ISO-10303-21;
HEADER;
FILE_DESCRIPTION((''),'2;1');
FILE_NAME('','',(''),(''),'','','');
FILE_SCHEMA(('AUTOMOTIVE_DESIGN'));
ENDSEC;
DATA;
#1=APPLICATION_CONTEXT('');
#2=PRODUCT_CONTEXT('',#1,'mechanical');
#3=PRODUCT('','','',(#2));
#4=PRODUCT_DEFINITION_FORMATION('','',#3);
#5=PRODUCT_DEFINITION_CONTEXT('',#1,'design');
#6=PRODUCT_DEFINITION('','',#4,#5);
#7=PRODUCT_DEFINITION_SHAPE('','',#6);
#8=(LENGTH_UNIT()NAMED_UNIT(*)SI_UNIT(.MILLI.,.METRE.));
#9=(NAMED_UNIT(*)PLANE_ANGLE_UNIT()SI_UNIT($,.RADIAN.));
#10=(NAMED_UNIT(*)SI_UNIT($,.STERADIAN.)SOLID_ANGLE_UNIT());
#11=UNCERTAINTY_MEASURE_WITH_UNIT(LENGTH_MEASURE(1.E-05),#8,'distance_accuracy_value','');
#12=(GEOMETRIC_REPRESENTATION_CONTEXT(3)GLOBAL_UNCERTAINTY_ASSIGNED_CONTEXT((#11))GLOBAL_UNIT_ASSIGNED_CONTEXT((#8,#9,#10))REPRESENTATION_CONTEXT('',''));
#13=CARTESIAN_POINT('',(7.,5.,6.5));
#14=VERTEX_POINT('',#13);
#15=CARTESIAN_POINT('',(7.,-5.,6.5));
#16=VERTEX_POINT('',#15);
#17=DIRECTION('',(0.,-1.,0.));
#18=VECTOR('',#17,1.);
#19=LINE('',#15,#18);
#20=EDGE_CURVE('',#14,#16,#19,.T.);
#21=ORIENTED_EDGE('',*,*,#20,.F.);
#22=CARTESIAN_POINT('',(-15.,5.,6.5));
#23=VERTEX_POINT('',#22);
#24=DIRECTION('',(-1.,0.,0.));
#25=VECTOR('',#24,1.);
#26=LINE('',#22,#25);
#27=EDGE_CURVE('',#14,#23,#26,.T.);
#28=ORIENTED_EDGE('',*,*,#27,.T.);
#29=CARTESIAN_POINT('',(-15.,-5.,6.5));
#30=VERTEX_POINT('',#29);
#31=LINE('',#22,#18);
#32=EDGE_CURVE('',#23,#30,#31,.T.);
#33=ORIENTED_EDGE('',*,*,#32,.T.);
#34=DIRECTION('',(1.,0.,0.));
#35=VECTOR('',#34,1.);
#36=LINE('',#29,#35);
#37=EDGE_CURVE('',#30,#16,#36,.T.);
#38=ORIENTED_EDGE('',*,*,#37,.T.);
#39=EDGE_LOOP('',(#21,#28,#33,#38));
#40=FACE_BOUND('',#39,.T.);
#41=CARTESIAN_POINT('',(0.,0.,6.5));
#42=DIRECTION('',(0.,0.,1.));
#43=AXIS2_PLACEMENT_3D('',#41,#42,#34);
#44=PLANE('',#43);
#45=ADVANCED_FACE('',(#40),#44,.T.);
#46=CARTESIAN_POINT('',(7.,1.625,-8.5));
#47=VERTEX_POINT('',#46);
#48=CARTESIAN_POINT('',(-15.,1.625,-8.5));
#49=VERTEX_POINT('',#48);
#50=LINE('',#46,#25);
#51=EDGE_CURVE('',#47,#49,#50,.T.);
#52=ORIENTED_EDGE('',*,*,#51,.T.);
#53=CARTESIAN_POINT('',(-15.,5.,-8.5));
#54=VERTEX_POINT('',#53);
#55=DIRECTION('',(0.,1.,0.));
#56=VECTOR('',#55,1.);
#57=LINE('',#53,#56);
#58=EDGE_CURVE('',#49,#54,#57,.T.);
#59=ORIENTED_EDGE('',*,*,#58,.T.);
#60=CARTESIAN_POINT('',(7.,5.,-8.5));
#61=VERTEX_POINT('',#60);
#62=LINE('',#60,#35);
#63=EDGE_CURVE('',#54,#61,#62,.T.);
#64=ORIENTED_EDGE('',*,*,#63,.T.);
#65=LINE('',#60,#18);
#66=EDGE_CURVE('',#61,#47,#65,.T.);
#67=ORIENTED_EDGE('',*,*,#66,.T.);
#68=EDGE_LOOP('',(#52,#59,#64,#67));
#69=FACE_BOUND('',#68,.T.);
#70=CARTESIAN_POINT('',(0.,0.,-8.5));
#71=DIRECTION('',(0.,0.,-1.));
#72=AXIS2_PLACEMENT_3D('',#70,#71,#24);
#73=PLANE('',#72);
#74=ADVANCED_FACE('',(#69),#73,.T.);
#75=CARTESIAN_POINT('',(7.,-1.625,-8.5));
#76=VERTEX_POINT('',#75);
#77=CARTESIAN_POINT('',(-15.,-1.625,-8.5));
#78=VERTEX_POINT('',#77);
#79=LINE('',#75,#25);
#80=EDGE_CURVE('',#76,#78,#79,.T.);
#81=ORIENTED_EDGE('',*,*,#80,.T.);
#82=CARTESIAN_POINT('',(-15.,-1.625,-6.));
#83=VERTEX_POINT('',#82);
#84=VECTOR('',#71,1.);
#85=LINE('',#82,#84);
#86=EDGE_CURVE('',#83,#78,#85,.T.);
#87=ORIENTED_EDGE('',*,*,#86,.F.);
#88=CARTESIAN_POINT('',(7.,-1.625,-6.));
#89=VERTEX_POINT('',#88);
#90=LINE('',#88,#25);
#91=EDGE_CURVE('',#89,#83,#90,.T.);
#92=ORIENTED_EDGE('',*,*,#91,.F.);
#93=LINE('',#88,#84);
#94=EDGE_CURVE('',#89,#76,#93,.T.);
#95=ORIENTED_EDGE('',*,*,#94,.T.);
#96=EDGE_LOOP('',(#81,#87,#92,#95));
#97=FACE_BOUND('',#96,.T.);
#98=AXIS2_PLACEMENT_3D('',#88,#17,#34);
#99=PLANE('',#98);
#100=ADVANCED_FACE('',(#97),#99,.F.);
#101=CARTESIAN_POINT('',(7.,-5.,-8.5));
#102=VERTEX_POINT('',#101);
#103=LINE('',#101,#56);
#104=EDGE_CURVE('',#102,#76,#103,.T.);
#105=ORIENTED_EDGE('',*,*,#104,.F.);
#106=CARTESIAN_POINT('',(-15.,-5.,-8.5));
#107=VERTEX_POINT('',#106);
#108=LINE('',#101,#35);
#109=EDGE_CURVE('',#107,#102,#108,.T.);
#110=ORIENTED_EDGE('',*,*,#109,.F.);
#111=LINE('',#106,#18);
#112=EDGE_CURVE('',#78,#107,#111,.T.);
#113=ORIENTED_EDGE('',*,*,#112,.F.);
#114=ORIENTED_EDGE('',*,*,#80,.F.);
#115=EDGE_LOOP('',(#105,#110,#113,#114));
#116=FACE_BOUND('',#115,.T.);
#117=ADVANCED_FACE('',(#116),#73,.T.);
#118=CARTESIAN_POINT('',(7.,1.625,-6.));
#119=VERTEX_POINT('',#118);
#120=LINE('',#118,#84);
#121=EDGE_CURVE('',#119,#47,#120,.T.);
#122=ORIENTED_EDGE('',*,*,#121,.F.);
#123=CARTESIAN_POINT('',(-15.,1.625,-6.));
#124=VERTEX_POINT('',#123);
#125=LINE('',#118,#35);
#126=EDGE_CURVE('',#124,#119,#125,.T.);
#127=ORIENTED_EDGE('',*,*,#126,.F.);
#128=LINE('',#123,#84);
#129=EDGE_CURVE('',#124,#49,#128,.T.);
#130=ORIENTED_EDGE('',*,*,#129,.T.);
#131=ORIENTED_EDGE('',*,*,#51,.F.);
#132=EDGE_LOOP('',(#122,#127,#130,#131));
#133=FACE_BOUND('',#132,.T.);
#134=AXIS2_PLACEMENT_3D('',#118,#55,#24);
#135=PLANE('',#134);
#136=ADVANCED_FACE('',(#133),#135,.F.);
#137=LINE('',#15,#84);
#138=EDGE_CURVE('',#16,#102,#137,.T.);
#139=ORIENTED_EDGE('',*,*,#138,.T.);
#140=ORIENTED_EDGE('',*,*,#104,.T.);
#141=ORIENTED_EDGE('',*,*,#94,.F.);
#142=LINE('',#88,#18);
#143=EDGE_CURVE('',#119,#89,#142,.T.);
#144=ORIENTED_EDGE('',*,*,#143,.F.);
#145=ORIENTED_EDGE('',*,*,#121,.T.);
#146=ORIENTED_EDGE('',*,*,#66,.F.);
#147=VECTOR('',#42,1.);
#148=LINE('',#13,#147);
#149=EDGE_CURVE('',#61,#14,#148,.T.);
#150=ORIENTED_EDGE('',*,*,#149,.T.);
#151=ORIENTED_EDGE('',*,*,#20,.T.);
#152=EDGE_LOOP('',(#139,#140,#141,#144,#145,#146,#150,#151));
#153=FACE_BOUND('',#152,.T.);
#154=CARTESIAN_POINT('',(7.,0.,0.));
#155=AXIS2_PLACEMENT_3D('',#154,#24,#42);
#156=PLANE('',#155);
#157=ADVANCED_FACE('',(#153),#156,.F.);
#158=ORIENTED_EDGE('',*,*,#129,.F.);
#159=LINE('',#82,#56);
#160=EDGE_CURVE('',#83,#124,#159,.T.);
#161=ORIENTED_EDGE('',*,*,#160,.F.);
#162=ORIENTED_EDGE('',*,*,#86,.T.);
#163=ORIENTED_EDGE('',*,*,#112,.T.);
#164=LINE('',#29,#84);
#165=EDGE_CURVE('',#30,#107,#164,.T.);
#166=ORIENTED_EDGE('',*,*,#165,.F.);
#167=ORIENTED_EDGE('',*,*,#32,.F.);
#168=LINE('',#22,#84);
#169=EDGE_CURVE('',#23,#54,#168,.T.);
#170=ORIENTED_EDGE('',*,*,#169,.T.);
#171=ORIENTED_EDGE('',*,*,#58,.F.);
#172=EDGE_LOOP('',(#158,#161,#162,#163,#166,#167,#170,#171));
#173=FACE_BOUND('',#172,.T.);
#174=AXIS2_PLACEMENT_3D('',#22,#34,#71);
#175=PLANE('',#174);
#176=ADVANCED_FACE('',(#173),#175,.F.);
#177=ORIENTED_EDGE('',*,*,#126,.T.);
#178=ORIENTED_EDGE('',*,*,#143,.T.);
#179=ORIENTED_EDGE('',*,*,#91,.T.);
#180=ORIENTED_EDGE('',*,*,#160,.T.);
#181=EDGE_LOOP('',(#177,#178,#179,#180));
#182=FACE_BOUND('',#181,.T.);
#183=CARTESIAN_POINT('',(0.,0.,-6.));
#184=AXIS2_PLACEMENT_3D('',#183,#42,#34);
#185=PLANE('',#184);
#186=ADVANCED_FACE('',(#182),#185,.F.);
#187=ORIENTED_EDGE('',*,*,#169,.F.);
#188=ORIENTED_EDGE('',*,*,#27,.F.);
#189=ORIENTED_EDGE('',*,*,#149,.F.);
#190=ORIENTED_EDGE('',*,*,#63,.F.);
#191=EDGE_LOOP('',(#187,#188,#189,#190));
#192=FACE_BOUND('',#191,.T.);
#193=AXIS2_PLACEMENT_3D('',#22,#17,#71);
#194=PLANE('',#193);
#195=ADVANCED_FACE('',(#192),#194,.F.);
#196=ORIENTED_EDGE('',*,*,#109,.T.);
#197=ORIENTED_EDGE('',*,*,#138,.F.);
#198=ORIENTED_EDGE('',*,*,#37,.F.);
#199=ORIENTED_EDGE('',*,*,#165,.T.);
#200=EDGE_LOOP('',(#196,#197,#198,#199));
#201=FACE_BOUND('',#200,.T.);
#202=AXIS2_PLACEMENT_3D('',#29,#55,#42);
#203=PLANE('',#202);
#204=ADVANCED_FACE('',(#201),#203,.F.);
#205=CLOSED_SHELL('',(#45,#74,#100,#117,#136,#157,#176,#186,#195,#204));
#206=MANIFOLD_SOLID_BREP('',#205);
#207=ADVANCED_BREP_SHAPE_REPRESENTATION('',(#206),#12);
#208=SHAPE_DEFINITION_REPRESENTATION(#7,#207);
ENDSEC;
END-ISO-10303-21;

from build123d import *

# Parameters (mm, degrees)
SKETCH1_W           = 30
SKETCH1_H           = 10
BOSS_EXTRUDE1_DEPTH = 6.5
SKETCH3_W           = 13
SKETCH3_H           = 22
CUT_EXTRUDE3_DEPTH  = 20.163767897
SKETCH10_W          = 13
SKETCH10_H          = 10
BOSS_EXTRUDE3_DEPTH = 3
SKETCH12_W          = 22
SKETCH12_H          = 3.25
CUT_EXTRUDE5_DEPTH  = 0.5
SKETCH15_W          = 22
SKETCH15_H          = 3.375
BOSS_EXTRUDE6_DEPTH = 2


with BuildPart() as part:
    # Sketch1 → Boss-Extrude1 (new, symmetric)
    with BuildSketch(Plane.XY):
        Rectangle(SKETCH1_W, SKETCH1_H)
    extrude(amount=BOSS_EXTRUDE1_DEPTH, both=True)

    # Sketch3 → Cut-Extrude3 (cut, through all)
    with BuildSketch(Plane.XZ.offset(5)):
        with Locations((10.5, 0)):
            Rectangle(SKETCH3_W, SKETCH3_H)
    extrude(amount=-CUT_EXTRUDE3_DEPTH, mode=Mode.SUBTRACT)

    # Sketch10 → Boss-Extrude3 (add)
    with BuildSketch(Plane(origin=(4, 0, 0), x_dir=(0, 0, -1), z_dir=(1, 0, 0))):
        Rectangle(SKETCH10_W, SKETCH10_H)
    extrude(amount=BOSS_EXTRUDE3_DEPTH)

    # Sketch12 → Cut-Extrude5 (cut)
    with BuildSketch(Plane(origin=(0, 0, -6.5), x_dir=(-1, 0, 0), z_dir=(0, 0, -1))):
        with Locations((4, 0)):
            Rectangle(SKETCH12_W, SKETCH12_H)
    extrude(amount=-CUT_EXTRUDE5_DEPTH, mode=Mode.SUBTRACT)

    # Sketch15 → Boss-Extrude6 (add)
    with BuildSketch(Plane(origin=(0, 0, -6.5), x_dir=(-1, 0, 0), z_dir=(0, 0, -1))):
        with Locations((4, 3.3125)):
            Rectangle(SKETCH15_W, SKETCH15_H)
    boss_extrude6 = extrude(amount=BOSS_EXTRUDE6_DEPTH)

    # Mirror5: Boss-Extrude6 across plane
    add(boss_extrude6.mirror(Plane.ZX))


solid = part.part
